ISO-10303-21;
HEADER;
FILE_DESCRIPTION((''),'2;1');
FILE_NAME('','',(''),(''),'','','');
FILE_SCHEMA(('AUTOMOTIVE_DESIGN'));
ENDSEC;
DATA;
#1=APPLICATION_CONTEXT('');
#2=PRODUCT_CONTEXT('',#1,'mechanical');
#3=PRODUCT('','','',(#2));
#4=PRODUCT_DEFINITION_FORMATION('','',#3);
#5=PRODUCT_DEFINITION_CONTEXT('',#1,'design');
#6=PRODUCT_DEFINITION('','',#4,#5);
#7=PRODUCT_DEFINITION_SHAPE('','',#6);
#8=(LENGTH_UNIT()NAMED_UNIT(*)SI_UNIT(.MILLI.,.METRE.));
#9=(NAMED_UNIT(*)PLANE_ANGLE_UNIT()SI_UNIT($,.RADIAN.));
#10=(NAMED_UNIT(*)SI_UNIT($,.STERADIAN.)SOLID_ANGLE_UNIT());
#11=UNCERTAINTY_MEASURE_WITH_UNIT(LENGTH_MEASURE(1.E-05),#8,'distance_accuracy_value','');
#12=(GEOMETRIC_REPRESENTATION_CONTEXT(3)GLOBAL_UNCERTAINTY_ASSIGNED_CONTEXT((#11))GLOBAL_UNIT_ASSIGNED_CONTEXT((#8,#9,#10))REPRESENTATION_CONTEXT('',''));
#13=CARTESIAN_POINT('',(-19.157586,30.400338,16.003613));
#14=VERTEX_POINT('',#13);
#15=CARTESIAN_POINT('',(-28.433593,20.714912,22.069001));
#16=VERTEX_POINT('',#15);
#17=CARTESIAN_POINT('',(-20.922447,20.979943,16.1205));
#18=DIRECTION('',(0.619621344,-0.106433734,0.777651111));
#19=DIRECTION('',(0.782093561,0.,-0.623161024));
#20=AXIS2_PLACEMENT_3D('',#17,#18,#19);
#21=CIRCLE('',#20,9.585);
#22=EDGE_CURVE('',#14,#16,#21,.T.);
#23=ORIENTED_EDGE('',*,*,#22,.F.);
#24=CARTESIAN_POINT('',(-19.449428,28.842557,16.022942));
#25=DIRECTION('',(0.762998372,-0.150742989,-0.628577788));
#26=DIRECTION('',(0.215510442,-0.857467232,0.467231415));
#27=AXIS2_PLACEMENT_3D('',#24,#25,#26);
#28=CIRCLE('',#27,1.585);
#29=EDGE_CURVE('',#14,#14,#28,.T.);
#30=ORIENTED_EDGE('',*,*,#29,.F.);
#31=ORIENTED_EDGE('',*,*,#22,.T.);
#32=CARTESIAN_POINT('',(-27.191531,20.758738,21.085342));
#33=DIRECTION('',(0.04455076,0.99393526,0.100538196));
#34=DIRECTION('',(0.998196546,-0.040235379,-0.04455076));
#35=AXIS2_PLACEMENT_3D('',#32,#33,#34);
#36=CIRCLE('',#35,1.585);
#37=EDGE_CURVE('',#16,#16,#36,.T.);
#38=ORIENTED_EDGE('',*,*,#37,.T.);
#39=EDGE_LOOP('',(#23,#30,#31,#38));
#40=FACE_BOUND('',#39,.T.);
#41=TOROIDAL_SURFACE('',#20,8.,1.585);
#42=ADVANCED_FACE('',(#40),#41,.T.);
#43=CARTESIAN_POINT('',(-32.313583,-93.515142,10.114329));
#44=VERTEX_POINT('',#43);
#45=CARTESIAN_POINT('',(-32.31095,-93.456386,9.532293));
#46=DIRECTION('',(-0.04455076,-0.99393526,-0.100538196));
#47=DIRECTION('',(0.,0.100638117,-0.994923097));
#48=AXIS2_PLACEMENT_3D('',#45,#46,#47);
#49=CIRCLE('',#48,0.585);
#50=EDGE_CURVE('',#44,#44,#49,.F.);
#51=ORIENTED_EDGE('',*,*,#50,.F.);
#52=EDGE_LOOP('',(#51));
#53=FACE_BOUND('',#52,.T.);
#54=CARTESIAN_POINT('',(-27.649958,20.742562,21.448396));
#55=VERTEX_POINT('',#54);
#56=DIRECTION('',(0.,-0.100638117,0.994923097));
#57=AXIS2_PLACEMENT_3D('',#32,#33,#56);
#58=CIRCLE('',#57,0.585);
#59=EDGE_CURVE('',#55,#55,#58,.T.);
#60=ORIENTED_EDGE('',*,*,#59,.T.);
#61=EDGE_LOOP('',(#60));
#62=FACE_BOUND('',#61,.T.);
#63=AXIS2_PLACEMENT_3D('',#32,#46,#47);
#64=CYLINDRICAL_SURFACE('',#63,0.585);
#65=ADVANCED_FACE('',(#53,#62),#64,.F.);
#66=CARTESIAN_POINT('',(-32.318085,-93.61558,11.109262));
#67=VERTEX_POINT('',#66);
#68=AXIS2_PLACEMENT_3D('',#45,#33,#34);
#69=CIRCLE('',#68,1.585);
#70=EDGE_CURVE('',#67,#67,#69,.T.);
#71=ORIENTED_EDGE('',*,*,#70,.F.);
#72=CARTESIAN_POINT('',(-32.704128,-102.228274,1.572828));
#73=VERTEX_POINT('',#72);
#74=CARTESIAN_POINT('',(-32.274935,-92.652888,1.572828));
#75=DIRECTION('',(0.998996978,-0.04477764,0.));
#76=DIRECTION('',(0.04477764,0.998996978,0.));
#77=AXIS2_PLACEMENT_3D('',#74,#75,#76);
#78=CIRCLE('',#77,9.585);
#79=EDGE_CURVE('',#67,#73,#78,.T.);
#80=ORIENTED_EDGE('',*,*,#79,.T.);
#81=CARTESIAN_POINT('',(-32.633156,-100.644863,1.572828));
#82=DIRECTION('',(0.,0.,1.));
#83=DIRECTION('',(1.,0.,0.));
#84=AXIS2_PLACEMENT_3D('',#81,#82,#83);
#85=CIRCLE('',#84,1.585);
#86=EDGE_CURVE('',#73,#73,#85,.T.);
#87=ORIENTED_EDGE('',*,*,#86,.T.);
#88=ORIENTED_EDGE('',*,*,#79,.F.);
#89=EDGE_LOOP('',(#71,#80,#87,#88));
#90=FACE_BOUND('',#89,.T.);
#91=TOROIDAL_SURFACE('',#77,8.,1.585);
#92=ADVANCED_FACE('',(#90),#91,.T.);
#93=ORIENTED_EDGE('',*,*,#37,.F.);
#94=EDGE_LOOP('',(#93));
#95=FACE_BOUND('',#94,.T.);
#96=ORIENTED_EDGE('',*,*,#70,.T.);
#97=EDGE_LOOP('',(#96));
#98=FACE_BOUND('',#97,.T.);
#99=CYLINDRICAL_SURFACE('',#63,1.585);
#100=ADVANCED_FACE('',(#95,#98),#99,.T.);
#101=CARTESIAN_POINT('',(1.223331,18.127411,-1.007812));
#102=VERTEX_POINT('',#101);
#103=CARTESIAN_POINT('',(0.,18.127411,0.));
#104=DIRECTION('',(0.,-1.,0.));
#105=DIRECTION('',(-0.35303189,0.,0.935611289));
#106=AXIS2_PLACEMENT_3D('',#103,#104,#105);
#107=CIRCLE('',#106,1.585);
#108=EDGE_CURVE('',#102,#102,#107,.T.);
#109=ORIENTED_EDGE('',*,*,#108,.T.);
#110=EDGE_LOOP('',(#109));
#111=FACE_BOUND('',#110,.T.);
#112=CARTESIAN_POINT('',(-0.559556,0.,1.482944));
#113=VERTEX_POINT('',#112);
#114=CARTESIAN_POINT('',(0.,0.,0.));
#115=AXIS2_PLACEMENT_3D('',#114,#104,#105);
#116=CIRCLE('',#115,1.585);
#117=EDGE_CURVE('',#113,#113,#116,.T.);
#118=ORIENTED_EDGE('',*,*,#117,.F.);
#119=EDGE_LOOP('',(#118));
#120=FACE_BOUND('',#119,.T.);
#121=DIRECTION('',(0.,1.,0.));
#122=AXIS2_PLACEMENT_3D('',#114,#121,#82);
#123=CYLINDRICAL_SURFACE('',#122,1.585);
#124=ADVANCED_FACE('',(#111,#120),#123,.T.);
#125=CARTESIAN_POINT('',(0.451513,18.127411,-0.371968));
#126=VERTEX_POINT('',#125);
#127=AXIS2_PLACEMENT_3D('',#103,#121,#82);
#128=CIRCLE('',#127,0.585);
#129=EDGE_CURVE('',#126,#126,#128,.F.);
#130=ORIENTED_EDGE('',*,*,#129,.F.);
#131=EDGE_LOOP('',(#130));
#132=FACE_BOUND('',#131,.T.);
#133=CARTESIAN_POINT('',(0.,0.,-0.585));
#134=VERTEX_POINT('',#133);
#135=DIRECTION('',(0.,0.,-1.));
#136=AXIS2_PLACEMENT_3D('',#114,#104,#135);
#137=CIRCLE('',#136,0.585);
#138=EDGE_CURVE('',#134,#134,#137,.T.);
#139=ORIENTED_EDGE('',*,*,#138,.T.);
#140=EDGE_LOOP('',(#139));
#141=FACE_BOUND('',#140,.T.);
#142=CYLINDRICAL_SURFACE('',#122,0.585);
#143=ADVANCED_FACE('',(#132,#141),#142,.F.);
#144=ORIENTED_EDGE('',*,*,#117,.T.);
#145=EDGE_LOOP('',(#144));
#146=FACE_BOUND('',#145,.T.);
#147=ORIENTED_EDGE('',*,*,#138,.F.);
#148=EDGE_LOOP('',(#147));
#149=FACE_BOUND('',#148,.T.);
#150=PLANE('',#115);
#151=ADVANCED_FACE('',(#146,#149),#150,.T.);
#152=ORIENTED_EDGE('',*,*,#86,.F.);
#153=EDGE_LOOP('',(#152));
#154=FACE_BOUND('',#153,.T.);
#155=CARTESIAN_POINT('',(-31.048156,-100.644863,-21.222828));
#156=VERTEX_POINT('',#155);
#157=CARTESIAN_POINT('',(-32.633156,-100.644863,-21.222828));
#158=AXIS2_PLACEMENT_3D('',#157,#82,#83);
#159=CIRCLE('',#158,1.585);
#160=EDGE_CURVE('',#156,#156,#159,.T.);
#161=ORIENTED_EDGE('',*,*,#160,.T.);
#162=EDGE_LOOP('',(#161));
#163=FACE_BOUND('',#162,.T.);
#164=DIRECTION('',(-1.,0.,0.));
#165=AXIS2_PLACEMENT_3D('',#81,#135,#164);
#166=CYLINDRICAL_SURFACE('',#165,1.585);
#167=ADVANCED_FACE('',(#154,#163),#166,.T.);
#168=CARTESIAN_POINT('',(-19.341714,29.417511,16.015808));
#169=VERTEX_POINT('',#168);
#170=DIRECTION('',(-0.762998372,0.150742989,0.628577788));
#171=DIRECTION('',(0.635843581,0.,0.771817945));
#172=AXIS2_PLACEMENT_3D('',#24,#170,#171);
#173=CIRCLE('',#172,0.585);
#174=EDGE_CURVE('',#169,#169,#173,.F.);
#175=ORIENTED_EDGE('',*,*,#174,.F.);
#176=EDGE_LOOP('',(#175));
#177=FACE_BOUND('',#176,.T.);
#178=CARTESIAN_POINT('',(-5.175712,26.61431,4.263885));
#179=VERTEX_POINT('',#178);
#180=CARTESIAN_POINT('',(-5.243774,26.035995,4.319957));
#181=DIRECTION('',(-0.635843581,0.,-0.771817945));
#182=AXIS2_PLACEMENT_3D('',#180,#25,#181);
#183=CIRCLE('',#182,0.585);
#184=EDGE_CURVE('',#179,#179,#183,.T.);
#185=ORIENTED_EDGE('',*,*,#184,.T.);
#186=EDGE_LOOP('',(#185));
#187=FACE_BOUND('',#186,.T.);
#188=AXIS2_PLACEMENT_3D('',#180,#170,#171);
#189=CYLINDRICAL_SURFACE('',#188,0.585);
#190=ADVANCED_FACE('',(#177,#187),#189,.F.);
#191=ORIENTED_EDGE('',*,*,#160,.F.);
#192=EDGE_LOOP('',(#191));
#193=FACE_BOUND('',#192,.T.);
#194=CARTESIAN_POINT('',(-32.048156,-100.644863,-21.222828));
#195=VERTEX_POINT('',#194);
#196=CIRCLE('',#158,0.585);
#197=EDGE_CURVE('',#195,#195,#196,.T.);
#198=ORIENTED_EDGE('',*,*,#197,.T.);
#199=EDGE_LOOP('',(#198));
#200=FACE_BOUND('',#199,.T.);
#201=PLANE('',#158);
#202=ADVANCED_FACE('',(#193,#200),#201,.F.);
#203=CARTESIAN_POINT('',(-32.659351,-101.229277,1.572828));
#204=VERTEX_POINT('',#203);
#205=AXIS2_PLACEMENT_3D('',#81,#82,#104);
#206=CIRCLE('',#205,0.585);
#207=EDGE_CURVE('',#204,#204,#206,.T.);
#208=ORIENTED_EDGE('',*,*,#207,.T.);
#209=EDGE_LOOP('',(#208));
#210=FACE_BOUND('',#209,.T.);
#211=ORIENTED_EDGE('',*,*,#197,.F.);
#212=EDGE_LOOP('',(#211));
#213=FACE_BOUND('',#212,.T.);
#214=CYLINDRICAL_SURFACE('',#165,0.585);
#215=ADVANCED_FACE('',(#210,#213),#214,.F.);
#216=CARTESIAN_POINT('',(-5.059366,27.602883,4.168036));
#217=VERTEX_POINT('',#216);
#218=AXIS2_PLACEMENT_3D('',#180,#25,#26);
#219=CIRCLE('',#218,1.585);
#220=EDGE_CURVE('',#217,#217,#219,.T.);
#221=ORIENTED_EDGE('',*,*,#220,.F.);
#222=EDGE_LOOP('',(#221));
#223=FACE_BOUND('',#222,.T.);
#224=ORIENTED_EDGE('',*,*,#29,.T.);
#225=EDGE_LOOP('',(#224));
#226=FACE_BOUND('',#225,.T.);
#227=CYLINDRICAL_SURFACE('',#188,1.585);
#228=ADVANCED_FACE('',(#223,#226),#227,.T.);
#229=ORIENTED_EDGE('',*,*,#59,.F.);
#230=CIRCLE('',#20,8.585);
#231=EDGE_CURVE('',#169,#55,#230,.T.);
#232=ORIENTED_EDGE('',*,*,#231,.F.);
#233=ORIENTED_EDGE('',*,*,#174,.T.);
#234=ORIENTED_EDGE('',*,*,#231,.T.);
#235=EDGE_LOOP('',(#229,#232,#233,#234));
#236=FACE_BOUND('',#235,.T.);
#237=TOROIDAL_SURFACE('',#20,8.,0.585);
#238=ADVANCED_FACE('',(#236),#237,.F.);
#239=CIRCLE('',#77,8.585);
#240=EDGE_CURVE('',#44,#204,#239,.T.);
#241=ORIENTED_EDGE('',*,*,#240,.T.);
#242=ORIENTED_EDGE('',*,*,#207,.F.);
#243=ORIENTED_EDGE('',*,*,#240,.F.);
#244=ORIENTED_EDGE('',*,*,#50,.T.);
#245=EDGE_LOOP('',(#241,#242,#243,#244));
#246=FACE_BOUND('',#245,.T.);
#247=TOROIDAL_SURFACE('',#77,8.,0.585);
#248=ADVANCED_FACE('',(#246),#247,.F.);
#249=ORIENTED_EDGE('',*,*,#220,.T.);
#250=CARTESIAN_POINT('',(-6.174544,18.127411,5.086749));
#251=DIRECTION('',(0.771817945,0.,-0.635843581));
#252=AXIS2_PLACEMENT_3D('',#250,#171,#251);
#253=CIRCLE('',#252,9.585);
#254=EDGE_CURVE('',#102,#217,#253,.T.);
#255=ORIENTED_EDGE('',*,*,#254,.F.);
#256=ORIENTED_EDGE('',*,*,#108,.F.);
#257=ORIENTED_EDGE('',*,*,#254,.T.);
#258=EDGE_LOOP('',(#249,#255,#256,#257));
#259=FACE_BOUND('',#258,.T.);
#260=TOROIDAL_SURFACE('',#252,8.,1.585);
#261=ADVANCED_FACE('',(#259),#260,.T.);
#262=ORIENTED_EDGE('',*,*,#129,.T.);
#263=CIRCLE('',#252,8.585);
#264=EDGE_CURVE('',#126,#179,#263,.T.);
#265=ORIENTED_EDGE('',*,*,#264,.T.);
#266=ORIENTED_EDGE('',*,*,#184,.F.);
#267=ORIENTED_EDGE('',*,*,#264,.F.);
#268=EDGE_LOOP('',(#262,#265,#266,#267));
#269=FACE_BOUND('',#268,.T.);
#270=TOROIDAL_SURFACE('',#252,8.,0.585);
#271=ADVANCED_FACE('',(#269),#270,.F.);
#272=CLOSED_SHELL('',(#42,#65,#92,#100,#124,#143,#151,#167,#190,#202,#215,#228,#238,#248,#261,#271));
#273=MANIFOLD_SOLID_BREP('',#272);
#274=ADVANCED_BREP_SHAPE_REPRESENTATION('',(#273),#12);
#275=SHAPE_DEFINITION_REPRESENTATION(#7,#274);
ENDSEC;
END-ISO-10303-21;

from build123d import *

# Parameters (mm, degrees)
SWEEP_SOTTILE2_PROFILE_R   = 1.585
SWEEP_SOTTILE2_PROFILE_R_2 = 0.585


with BuildPart() as part:
    # Sweep-Sottile2: sweep along a curve in space
    with BuildLine() as sweep_sottile2_path:
        Line((0, 0, 0), (0, 18.127410745, 0))
        ThreePointArc((0, 18.127410745, 0), (-1.490951839, 23.340492786, 1.228284678), (-5.243774412, 26.035994644, 4.319956954))
        Line((-5.243774412, 26.035994644, 4.319956954), (-19.449428273, 28.842557275, 16.022941934))
        ThreePointArc((-19.449428273, 28.842557275, 16.022941934), (-24.665337869, 26.943364665, 19.918970251), (-27.191531065, 20.758738002, 21.08534203))
        Line((-27.191531065, 20.758738002, 21.08534203), (-32.310949634, -93.456386342, 9.532293275))
        ThreePointArc((-32.310949634, -93.456386342, 9.532293275), (-32.540663603, -98.581345189, 6.937785997), (-32.633155846, -100.64486334, 1.57282768))
        Line((-32.633155846, -100.64486334, 1.57282768), (-32.633155846, -100.64486334, -21.222828084))
    # Sweep-Sottile2 profile (on start of the path) → Sweep-Sottile2 (sweep)
    with BuildSketch(Plane.ZX):
        Circle(SWEEP_SOTTILE2_PROFILE_R)
        Circle(SWEEP_SOTTILE2_PROFILE_R_2, mode=Mode.SUBTRACT)
    sweep(path=sweep_sottile2_path.line)


solid = part.part
